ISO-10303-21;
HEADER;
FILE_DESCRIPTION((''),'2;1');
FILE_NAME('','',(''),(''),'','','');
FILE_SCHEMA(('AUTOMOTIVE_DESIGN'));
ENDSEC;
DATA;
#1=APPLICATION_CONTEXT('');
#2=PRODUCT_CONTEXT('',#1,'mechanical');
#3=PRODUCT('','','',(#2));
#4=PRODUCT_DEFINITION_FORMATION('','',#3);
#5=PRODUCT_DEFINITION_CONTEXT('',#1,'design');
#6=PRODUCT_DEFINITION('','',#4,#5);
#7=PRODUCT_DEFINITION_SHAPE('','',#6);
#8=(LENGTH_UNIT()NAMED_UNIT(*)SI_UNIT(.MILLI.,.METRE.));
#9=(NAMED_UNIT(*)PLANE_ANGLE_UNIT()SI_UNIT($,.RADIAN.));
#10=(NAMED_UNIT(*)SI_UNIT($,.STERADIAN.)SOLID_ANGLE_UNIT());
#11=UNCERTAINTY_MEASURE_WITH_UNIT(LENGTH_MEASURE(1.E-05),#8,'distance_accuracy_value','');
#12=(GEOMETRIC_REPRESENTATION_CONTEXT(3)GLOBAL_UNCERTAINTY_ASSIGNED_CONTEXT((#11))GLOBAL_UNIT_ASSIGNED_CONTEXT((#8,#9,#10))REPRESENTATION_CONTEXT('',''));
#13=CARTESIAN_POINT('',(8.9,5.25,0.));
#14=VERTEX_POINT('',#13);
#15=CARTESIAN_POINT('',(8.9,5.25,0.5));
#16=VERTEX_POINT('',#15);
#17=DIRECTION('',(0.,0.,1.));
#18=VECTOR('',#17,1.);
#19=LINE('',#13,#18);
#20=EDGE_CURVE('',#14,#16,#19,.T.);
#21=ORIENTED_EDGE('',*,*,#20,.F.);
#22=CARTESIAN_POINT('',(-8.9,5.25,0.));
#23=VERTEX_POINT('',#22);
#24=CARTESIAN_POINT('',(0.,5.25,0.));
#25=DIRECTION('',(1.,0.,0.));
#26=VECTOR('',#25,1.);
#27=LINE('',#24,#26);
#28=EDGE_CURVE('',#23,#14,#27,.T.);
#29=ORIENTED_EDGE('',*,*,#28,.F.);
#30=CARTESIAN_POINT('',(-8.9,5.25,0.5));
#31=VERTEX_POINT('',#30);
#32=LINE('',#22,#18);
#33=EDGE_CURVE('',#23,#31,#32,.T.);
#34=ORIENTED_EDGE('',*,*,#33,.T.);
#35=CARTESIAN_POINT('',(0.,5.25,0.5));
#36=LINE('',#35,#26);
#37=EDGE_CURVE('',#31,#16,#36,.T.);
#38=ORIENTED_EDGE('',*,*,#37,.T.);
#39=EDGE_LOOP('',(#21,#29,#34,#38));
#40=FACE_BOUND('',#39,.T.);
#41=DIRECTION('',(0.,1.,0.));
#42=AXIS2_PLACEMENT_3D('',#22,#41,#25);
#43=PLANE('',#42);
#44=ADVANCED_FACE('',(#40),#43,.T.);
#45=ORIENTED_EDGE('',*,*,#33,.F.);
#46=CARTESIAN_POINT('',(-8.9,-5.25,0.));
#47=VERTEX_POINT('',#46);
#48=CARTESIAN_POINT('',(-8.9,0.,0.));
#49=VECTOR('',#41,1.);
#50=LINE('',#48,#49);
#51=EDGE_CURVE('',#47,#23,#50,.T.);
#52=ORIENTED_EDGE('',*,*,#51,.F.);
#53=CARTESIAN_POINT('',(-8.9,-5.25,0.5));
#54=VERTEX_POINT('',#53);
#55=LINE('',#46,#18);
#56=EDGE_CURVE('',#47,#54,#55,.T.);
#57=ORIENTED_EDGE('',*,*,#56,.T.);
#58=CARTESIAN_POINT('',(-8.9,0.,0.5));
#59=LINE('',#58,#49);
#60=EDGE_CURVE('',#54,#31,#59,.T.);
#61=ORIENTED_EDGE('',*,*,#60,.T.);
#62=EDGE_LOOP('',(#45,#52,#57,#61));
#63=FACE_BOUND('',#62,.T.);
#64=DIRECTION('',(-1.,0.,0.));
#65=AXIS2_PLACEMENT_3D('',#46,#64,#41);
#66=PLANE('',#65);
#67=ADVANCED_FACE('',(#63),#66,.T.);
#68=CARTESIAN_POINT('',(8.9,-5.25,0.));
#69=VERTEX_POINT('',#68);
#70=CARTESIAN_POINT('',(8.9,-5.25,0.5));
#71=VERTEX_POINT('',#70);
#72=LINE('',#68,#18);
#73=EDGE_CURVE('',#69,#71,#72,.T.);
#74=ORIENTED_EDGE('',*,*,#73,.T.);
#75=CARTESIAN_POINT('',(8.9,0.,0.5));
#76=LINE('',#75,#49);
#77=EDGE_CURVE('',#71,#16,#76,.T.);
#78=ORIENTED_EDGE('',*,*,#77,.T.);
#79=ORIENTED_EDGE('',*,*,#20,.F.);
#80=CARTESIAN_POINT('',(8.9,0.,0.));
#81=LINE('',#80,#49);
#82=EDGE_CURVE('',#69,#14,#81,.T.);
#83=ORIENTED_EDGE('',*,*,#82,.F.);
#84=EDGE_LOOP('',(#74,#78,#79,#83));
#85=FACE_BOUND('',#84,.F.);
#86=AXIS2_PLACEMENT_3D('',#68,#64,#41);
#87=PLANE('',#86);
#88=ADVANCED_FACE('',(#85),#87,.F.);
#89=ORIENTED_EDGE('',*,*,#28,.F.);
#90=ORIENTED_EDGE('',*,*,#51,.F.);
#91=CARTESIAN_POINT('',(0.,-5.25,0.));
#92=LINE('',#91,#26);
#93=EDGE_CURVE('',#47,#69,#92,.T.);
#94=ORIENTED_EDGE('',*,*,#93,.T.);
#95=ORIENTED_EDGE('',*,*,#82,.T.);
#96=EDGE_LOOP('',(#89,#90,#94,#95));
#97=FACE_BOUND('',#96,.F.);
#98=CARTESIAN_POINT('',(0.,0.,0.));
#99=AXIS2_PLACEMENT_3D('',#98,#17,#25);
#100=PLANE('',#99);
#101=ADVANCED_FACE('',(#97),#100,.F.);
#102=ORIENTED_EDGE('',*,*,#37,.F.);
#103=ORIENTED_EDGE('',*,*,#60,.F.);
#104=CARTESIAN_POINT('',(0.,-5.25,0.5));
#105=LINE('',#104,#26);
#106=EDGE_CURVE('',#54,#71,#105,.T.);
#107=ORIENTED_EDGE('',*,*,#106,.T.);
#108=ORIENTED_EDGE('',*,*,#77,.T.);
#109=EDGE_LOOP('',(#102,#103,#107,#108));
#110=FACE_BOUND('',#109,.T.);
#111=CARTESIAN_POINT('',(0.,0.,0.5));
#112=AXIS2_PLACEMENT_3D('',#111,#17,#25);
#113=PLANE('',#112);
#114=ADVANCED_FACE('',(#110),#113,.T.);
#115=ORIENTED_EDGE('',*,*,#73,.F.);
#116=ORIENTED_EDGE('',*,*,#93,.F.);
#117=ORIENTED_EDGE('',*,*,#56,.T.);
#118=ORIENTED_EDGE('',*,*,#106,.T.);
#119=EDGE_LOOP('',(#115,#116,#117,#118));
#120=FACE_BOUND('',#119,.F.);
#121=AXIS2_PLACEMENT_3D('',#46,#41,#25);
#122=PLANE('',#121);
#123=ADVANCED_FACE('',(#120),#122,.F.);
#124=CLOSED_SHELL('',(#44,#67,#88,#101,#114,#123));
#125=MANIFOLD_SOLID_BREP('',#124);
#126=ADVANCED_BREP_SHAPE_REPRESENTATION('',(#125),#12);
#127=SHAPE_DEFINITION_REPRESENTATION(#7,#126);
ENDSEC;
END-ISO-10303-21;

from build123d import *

# Parameters (mm, degrees)
SKETCH_W  = 17.8
SKETCH_H  = 10.5
PAD_DEPTH = 0.5


with BuildPart() as part:
    # Sketch → Pad (new body)
    with BuildSketch(Plane.XY):
        Rectangle(SKETCH_W, SKETCH_H)
    extrude(amount=PAD_DEPTH)


solid = part.part
